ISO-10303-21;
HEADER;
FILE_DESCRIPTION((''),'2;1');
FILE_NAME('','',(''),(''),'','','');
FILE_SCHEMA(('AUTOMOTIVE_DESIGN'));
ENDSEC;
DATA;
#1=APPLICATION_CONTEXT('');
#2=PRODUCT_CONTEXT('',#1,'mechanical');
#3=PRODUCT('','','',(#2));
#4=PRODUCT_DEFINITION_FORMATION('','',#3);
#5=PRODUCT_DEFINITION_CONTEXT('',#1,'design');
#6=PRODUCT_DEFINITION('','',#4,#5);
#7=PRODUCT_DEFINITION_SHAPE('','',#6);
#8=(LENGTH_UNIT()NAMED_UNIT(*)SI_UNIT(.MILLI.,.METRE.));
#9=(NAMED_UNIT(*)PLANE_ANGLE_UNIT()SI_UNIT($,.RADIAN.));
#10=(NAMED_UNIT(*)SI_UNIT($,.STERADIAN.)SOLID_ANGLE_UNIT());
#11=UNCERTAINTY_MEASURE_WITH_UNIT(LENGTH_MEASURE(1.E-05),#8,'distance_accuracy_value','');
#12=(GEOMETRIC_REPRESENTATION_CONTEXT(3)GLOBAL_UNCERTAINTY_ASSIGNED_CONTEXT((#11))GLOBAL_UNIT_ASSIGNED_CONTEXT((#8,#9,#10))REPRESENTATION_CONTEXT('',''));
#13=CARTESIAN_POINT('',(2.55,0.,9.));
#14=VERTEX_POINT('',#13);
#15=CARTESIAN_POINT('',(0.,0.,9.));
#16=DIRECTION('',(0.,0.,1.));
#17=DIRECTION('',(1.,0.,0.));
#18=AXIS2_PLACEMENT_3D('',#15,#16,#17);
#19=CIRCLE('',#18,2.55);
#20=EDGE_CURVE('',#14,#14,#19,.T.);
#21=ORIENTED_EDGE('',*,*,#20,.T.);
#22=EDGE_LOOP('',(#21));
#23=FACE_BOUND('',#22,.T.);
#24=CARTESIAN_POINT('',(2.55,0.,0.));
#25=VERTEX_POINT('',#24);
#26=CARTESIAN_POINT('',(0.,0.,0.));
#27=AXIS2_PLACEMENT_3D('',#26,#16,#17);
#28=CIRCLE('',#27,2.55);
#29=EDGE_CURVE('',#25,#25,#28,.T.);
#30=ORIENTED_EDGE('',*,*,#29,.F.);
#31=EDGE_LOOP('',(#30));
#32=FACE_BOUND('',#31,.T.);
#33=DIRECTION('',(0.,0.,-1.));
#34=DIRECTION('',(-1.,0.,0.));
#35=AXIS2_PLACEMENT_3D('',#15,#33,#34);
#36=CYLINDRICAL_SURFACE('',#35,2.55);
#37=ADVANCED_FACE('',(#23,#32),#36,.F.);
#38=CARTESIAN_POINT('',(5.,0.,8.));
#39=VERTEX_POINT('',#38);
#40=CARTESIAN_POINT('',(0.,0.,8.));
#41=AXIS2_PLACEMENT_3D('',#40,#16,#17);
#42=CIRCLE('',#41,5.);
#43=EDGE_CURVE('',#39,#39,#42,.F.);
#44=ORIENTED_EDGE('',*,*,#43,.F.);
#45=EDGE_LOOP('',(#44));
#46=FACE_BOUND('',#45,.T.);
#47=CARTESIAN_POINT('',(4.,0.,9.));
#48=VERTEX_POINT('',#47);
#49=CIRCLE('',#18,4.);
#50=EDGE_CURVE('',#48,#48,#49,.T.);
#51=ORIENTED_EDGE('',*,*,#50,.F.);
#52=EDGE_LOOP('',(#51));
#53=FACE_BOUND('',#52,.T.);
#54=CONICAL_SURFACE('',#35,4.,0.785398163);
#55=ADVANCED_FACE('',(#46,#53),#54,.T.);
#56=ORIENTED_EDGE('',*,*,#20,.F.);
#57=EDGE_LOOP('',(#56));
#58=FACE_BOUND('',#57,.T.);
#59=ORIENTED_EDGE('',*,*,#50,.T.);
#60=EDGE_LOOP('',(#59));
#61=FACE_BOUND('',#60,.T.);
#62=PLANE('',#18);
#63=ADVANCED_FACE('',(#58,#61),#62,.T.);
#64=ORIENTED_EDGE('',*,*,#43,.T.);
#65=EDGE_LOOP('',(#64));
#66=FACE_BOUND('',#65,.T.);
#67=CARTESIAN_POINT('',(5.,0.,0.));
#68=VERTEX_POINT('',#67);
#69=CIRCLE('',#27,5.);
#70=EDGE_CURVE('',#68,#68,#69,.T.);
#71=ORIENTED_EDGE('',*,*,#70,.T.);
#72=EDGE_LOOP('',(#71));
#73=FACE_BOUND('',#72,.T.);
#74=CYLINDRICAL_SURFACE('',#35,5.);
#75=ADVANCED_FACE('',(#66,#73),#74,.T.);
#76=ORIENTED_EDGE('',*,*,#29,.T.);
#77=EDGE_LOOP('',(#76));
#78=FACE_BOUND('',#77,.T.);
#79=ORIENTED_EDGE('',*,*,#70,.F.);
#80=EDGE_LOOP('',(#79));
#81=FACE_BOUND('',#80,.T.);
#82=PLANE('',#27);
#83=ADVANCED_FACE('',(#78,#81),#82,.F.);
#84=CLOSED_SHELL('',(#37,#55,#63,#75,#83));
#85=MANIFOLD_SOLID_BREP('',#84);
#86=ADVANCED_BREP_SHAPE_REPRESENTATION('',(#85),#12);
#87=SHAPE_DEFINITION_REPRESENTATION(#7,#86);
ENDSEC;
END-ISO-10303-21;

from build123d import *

# Parameters (mm, degrees)
SKETCH_1_R    = 5
SKETCH_1_R_2  = 2.55
BASE_DEPTH    = 9
CHAMFER1_SIZE = 1


with BuildPart() as part:
    # Эскиз1 → Base (new body)
    with BuildSketch(Plane.XY):
        Circle(SKETCH_1_R)
        Circle(SKETCH_1_R_2, mode=Mode.SUBTRACT)
    extrude(amount=BASE_DEPTH)

    # Chamfer1
    chamfer1_edges = [part.edges().sort_by_distance(p)[0] for p in [
        (-5, 0, 9),
    ]]
    chamfer(chamfer1_edges, length=CHAMFER1_SIZE)


solid = part.part
